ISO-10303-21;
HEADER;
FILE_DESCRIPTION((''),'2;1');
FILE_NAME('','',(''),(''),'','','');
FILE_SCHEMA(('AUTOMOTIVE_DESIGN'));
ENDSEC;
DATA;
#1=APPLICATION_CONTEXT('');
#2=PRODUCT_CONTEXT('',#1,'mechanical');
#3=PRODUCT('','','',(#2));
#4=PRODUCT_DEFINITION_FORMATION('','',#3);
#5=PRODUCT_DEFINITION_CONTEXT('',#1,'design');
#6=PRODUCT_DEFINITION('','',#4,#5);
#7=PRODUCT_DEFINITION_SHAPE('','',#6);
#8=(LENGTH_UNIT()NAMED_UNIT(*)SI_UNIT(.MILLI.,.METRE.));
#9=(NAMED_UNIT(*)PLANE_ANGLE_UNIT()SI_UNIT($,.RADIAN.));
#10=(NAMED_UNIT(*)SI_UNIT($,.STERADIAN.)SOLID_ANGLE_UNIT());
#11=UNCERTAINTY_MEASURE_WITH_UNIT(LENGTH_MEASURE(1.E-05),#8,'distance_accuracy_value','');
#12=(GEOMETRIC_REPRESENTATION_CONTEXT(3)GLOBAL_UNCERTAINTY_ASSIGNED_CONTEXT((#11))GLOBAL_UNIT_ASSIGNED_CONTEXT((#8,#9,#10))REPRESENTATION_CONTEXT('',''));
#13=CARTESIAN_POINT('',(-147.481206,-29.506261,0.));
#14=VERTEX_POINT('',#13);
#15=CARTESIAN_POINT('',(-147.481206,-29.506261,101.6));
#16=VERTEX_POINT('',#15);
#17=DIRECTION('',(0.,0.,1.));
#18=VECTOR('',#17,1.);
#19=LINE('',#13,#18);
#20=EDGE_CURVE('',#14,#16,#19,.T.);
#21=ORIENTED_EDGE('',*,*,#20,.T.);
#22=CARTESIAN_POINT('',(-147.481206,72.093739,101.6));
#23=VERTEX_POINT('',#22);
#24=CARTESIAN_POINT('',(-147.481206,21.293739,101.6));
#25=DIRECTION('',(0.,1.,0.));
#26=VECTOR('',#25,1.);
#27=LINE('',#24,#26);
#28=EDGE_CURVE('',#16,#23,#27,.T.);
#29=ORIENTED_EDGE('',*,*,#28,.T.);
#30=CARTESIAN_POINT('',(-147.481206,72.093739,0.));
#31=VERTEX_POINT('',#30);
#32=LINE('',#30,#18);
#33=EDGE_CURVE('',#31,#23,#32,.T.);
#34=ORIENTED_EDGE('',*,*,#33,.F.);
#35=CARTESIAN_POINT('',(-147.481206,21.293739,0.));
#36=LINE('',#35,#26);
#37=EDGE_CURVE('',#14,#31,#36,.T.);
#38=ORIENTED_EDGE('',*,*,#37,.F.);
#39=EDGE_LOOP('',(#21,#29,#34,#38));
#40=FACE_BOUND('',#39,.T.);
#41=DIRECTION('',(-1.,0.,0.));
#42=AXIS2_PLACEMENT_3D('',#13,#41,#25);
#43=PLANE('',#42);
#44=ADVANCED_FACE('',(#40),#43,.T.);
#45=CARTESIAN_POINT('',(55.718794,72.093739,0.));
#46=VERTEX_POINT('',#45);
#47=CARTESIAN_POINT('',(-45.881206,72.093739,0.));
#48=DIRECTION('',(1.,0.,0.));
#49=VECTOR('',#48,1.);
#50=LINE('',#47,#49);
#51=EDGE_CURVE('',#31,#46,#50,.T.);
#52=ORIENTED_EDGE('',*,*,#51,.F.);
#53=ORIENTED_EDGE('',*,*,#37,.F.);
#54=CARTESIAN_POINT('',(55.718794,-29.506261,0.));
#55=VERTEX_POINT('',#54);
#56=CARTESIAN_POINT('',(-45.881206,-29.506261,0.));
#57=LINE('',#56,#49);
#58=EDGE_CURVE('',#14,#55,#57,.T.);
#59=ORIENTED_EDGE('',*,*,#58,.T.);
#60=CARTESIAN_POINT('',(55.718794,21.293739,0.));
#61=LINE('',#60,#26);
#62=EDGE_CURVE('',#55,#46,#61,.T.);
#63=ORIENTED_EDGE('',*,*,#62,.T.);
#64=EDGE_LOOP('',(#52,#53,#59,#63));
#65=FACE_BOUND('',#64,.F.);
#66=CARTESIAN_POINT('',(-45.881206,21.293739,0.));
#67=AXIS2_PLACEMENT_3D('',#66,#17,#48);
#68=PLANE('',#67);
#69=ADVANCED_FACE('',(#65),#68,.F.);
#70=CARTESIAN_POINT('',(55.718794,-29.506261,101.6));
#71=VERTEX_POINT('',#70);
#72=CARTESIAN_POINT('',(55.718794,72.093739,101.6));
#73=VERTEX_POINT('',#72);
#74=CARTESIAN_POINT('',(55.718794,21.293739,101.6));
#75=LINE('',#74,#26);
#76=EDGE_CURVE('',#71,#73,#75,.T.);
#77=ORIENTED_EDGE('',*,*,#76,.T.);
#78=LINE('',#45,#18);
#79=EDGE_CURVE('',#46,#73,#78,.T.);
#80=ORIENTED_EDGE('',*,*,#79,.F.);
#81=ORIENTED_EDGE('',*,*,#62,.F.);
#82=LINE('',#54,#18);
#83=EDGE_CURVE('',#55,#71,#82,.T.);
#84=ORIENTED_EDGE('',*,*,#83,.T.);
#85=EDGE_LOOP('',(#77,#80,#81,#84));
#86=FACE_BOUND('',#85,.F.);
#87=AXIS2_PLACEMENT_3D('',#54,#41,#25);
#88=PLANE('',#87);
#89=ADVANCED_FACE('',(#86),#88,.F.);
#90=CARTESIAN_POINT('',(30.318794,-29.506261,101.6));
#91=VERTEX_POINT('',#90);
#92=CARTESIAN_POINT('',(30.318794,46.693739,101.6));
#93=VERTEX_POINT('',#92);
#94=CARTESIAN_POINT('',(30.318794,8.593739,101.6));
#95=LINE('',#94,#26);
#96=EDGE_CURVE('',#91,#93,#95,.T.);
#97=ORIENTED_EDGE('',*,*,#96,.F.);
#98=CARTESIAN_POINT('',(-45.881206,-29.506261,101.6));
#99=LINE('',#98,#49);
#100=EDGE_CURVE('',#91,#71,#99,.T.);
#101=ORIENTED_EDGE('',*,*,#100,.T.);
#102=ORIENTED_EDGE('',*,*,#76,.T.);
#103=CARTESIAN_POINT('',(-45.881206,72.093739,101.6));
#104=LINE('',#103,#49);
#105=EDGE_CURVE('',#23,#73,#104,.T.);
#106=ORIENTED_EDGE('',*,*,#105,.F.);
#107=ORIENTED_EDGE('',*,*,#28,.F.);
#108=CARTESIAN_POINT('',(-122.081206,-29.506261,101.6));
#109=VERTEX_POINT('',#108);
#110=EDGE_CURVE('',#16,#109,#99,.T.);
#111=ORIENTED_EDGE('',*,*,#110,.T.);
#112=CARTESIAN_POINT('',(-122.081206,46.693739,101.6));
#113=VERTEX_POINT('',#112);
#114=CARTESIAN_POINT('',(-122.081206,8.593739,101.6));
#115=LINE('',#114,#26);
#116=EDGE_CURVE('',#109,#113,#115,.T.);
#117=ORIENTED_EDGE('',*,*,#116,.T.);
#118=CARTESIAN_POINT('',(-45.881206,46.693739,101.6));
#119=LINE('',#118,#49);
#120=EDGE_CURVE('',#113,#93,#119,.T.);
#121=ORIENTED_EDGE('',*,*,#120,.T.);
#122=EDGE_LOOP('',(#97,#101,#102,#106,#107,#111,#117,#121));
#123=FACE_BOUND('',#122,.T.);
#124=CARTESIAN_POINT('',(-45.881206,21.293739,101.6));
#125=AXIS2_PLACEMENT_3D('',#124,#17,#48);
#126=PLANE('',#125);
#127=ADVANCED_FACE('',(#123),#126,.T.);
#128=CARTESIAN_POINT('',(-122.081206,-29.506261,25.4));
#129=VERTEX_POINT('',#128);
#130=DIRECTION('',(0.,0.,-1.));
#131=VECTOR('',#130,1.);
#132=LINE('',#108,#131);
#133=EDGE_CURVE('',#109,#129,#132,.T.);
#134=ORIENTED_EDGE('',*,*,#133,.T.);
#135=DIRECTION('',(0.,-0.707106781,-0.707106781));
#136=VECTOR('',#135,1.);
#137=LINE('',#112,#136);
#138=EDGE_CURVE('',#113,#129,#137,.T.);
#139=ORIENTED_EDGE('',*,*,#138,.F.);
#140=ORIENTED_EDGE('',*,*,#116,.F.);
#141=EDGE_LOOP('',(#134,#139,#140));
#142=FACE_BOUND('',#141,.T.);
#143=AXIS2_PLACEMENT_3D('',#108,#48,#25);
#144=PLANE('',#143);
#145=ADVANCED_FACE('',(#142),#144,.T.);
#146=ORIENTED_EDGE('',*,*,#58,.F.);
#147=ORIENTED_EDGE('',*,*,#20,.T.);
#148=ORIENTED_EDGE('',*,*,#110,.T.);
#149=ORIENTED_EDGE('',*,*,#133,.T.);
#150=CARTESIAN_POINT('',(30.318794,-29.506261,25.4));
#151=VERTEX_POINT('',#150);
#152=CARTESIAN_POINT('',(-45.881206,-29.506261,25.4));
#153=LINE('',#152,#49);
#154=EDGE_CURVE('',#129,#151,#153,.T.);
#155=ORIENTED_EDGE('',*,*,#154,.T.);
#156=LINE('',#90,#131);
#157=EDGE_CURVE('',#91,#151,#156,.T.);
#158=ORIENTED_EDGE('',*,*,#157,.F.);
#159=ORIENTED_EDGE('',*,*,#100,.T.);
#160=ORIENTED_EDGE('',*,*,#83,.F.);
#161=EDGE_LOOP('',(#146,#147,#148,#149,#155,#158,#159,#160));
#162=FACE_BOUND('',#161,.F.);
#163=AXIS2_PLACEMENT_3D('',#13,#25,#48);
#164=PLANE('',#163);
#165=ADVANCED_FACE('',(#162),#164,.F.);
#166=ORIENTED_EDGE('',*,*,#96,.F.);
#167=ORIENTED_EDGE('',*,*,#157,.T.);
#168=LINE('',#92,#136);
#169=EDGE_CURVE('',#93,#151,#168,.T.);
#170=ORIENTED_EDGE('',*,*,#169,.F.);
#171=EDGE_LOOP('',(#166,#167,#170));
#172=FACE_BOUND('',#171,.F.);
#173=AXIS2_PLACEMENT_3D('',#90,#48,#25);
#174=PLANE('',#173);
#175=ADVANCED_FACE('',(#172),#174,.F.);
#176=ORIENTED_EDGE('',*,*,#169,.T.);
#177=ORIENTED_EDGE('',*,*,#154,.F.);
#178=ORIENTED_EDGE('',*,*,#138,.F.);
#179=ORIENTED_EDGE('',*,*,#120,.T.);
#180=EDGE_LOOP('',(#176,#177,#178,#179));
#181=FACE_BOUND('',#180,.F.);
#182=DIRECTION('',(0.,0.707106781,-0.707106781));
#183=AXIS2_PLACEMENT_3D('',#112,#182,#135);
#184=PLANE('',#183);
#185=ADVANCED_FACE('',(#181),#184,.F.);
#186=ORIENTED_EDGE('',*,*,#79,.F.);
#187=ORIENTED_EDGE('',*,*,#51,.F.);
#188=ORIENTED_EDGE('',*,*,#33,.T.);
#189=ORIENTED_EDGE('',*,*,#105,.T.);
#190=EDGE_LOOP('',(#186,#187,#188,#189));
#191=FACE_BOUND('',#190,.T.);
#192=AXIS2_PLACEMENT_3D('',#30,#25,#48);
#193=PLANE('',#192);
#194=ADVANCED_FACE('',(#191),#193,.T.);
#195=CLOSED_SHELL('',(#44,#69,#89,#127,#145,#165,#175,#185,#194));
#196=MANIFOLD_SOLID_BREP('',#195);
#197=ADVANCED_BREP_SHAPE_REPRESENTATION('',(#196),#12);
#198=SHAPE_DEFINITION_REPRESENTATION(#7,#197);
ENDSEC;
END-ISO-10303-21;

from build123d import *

# Parameters (mm, degrees)
F0_W     = 203.2
F0_H     = 101.6
F1_DEPTH = 101.6
F2_W     = 152.4
F2_H     = 76.2
F3_DEPTH = 76.2
F5_DEPTH = 152.4


with BuildPart() as f1:
    # F0 (on Top) → F1 (new body)
    with BuildSketch(Plane.XY):
        with Locations((-45.881206, 21.293739)):
            Rectangle(F0_W, F0_H)
    extrude(amount=F1_DEPTH)

    # F2 (on face) → F3 (cut)
    with BuildSketch(Plane.XY.offset(101.6)):
        with Locations((-45.881206, 8.593739)):
            Rectangle(F2_W, F2_H)
    extrude(amount=-F3_DEPTH, mode=Mode.SUBTRACT)

    # F4 (on face) → F5 (join)
    with BuildSketch(Plane.YZ.offset(-122.081206)):
        Polygon((46.693739, 25.4), (46.693739, 101.6), (-29.506261, 25.4), align=None)
    extrude(amount=F5_DEPTH)


solid = f1.part
